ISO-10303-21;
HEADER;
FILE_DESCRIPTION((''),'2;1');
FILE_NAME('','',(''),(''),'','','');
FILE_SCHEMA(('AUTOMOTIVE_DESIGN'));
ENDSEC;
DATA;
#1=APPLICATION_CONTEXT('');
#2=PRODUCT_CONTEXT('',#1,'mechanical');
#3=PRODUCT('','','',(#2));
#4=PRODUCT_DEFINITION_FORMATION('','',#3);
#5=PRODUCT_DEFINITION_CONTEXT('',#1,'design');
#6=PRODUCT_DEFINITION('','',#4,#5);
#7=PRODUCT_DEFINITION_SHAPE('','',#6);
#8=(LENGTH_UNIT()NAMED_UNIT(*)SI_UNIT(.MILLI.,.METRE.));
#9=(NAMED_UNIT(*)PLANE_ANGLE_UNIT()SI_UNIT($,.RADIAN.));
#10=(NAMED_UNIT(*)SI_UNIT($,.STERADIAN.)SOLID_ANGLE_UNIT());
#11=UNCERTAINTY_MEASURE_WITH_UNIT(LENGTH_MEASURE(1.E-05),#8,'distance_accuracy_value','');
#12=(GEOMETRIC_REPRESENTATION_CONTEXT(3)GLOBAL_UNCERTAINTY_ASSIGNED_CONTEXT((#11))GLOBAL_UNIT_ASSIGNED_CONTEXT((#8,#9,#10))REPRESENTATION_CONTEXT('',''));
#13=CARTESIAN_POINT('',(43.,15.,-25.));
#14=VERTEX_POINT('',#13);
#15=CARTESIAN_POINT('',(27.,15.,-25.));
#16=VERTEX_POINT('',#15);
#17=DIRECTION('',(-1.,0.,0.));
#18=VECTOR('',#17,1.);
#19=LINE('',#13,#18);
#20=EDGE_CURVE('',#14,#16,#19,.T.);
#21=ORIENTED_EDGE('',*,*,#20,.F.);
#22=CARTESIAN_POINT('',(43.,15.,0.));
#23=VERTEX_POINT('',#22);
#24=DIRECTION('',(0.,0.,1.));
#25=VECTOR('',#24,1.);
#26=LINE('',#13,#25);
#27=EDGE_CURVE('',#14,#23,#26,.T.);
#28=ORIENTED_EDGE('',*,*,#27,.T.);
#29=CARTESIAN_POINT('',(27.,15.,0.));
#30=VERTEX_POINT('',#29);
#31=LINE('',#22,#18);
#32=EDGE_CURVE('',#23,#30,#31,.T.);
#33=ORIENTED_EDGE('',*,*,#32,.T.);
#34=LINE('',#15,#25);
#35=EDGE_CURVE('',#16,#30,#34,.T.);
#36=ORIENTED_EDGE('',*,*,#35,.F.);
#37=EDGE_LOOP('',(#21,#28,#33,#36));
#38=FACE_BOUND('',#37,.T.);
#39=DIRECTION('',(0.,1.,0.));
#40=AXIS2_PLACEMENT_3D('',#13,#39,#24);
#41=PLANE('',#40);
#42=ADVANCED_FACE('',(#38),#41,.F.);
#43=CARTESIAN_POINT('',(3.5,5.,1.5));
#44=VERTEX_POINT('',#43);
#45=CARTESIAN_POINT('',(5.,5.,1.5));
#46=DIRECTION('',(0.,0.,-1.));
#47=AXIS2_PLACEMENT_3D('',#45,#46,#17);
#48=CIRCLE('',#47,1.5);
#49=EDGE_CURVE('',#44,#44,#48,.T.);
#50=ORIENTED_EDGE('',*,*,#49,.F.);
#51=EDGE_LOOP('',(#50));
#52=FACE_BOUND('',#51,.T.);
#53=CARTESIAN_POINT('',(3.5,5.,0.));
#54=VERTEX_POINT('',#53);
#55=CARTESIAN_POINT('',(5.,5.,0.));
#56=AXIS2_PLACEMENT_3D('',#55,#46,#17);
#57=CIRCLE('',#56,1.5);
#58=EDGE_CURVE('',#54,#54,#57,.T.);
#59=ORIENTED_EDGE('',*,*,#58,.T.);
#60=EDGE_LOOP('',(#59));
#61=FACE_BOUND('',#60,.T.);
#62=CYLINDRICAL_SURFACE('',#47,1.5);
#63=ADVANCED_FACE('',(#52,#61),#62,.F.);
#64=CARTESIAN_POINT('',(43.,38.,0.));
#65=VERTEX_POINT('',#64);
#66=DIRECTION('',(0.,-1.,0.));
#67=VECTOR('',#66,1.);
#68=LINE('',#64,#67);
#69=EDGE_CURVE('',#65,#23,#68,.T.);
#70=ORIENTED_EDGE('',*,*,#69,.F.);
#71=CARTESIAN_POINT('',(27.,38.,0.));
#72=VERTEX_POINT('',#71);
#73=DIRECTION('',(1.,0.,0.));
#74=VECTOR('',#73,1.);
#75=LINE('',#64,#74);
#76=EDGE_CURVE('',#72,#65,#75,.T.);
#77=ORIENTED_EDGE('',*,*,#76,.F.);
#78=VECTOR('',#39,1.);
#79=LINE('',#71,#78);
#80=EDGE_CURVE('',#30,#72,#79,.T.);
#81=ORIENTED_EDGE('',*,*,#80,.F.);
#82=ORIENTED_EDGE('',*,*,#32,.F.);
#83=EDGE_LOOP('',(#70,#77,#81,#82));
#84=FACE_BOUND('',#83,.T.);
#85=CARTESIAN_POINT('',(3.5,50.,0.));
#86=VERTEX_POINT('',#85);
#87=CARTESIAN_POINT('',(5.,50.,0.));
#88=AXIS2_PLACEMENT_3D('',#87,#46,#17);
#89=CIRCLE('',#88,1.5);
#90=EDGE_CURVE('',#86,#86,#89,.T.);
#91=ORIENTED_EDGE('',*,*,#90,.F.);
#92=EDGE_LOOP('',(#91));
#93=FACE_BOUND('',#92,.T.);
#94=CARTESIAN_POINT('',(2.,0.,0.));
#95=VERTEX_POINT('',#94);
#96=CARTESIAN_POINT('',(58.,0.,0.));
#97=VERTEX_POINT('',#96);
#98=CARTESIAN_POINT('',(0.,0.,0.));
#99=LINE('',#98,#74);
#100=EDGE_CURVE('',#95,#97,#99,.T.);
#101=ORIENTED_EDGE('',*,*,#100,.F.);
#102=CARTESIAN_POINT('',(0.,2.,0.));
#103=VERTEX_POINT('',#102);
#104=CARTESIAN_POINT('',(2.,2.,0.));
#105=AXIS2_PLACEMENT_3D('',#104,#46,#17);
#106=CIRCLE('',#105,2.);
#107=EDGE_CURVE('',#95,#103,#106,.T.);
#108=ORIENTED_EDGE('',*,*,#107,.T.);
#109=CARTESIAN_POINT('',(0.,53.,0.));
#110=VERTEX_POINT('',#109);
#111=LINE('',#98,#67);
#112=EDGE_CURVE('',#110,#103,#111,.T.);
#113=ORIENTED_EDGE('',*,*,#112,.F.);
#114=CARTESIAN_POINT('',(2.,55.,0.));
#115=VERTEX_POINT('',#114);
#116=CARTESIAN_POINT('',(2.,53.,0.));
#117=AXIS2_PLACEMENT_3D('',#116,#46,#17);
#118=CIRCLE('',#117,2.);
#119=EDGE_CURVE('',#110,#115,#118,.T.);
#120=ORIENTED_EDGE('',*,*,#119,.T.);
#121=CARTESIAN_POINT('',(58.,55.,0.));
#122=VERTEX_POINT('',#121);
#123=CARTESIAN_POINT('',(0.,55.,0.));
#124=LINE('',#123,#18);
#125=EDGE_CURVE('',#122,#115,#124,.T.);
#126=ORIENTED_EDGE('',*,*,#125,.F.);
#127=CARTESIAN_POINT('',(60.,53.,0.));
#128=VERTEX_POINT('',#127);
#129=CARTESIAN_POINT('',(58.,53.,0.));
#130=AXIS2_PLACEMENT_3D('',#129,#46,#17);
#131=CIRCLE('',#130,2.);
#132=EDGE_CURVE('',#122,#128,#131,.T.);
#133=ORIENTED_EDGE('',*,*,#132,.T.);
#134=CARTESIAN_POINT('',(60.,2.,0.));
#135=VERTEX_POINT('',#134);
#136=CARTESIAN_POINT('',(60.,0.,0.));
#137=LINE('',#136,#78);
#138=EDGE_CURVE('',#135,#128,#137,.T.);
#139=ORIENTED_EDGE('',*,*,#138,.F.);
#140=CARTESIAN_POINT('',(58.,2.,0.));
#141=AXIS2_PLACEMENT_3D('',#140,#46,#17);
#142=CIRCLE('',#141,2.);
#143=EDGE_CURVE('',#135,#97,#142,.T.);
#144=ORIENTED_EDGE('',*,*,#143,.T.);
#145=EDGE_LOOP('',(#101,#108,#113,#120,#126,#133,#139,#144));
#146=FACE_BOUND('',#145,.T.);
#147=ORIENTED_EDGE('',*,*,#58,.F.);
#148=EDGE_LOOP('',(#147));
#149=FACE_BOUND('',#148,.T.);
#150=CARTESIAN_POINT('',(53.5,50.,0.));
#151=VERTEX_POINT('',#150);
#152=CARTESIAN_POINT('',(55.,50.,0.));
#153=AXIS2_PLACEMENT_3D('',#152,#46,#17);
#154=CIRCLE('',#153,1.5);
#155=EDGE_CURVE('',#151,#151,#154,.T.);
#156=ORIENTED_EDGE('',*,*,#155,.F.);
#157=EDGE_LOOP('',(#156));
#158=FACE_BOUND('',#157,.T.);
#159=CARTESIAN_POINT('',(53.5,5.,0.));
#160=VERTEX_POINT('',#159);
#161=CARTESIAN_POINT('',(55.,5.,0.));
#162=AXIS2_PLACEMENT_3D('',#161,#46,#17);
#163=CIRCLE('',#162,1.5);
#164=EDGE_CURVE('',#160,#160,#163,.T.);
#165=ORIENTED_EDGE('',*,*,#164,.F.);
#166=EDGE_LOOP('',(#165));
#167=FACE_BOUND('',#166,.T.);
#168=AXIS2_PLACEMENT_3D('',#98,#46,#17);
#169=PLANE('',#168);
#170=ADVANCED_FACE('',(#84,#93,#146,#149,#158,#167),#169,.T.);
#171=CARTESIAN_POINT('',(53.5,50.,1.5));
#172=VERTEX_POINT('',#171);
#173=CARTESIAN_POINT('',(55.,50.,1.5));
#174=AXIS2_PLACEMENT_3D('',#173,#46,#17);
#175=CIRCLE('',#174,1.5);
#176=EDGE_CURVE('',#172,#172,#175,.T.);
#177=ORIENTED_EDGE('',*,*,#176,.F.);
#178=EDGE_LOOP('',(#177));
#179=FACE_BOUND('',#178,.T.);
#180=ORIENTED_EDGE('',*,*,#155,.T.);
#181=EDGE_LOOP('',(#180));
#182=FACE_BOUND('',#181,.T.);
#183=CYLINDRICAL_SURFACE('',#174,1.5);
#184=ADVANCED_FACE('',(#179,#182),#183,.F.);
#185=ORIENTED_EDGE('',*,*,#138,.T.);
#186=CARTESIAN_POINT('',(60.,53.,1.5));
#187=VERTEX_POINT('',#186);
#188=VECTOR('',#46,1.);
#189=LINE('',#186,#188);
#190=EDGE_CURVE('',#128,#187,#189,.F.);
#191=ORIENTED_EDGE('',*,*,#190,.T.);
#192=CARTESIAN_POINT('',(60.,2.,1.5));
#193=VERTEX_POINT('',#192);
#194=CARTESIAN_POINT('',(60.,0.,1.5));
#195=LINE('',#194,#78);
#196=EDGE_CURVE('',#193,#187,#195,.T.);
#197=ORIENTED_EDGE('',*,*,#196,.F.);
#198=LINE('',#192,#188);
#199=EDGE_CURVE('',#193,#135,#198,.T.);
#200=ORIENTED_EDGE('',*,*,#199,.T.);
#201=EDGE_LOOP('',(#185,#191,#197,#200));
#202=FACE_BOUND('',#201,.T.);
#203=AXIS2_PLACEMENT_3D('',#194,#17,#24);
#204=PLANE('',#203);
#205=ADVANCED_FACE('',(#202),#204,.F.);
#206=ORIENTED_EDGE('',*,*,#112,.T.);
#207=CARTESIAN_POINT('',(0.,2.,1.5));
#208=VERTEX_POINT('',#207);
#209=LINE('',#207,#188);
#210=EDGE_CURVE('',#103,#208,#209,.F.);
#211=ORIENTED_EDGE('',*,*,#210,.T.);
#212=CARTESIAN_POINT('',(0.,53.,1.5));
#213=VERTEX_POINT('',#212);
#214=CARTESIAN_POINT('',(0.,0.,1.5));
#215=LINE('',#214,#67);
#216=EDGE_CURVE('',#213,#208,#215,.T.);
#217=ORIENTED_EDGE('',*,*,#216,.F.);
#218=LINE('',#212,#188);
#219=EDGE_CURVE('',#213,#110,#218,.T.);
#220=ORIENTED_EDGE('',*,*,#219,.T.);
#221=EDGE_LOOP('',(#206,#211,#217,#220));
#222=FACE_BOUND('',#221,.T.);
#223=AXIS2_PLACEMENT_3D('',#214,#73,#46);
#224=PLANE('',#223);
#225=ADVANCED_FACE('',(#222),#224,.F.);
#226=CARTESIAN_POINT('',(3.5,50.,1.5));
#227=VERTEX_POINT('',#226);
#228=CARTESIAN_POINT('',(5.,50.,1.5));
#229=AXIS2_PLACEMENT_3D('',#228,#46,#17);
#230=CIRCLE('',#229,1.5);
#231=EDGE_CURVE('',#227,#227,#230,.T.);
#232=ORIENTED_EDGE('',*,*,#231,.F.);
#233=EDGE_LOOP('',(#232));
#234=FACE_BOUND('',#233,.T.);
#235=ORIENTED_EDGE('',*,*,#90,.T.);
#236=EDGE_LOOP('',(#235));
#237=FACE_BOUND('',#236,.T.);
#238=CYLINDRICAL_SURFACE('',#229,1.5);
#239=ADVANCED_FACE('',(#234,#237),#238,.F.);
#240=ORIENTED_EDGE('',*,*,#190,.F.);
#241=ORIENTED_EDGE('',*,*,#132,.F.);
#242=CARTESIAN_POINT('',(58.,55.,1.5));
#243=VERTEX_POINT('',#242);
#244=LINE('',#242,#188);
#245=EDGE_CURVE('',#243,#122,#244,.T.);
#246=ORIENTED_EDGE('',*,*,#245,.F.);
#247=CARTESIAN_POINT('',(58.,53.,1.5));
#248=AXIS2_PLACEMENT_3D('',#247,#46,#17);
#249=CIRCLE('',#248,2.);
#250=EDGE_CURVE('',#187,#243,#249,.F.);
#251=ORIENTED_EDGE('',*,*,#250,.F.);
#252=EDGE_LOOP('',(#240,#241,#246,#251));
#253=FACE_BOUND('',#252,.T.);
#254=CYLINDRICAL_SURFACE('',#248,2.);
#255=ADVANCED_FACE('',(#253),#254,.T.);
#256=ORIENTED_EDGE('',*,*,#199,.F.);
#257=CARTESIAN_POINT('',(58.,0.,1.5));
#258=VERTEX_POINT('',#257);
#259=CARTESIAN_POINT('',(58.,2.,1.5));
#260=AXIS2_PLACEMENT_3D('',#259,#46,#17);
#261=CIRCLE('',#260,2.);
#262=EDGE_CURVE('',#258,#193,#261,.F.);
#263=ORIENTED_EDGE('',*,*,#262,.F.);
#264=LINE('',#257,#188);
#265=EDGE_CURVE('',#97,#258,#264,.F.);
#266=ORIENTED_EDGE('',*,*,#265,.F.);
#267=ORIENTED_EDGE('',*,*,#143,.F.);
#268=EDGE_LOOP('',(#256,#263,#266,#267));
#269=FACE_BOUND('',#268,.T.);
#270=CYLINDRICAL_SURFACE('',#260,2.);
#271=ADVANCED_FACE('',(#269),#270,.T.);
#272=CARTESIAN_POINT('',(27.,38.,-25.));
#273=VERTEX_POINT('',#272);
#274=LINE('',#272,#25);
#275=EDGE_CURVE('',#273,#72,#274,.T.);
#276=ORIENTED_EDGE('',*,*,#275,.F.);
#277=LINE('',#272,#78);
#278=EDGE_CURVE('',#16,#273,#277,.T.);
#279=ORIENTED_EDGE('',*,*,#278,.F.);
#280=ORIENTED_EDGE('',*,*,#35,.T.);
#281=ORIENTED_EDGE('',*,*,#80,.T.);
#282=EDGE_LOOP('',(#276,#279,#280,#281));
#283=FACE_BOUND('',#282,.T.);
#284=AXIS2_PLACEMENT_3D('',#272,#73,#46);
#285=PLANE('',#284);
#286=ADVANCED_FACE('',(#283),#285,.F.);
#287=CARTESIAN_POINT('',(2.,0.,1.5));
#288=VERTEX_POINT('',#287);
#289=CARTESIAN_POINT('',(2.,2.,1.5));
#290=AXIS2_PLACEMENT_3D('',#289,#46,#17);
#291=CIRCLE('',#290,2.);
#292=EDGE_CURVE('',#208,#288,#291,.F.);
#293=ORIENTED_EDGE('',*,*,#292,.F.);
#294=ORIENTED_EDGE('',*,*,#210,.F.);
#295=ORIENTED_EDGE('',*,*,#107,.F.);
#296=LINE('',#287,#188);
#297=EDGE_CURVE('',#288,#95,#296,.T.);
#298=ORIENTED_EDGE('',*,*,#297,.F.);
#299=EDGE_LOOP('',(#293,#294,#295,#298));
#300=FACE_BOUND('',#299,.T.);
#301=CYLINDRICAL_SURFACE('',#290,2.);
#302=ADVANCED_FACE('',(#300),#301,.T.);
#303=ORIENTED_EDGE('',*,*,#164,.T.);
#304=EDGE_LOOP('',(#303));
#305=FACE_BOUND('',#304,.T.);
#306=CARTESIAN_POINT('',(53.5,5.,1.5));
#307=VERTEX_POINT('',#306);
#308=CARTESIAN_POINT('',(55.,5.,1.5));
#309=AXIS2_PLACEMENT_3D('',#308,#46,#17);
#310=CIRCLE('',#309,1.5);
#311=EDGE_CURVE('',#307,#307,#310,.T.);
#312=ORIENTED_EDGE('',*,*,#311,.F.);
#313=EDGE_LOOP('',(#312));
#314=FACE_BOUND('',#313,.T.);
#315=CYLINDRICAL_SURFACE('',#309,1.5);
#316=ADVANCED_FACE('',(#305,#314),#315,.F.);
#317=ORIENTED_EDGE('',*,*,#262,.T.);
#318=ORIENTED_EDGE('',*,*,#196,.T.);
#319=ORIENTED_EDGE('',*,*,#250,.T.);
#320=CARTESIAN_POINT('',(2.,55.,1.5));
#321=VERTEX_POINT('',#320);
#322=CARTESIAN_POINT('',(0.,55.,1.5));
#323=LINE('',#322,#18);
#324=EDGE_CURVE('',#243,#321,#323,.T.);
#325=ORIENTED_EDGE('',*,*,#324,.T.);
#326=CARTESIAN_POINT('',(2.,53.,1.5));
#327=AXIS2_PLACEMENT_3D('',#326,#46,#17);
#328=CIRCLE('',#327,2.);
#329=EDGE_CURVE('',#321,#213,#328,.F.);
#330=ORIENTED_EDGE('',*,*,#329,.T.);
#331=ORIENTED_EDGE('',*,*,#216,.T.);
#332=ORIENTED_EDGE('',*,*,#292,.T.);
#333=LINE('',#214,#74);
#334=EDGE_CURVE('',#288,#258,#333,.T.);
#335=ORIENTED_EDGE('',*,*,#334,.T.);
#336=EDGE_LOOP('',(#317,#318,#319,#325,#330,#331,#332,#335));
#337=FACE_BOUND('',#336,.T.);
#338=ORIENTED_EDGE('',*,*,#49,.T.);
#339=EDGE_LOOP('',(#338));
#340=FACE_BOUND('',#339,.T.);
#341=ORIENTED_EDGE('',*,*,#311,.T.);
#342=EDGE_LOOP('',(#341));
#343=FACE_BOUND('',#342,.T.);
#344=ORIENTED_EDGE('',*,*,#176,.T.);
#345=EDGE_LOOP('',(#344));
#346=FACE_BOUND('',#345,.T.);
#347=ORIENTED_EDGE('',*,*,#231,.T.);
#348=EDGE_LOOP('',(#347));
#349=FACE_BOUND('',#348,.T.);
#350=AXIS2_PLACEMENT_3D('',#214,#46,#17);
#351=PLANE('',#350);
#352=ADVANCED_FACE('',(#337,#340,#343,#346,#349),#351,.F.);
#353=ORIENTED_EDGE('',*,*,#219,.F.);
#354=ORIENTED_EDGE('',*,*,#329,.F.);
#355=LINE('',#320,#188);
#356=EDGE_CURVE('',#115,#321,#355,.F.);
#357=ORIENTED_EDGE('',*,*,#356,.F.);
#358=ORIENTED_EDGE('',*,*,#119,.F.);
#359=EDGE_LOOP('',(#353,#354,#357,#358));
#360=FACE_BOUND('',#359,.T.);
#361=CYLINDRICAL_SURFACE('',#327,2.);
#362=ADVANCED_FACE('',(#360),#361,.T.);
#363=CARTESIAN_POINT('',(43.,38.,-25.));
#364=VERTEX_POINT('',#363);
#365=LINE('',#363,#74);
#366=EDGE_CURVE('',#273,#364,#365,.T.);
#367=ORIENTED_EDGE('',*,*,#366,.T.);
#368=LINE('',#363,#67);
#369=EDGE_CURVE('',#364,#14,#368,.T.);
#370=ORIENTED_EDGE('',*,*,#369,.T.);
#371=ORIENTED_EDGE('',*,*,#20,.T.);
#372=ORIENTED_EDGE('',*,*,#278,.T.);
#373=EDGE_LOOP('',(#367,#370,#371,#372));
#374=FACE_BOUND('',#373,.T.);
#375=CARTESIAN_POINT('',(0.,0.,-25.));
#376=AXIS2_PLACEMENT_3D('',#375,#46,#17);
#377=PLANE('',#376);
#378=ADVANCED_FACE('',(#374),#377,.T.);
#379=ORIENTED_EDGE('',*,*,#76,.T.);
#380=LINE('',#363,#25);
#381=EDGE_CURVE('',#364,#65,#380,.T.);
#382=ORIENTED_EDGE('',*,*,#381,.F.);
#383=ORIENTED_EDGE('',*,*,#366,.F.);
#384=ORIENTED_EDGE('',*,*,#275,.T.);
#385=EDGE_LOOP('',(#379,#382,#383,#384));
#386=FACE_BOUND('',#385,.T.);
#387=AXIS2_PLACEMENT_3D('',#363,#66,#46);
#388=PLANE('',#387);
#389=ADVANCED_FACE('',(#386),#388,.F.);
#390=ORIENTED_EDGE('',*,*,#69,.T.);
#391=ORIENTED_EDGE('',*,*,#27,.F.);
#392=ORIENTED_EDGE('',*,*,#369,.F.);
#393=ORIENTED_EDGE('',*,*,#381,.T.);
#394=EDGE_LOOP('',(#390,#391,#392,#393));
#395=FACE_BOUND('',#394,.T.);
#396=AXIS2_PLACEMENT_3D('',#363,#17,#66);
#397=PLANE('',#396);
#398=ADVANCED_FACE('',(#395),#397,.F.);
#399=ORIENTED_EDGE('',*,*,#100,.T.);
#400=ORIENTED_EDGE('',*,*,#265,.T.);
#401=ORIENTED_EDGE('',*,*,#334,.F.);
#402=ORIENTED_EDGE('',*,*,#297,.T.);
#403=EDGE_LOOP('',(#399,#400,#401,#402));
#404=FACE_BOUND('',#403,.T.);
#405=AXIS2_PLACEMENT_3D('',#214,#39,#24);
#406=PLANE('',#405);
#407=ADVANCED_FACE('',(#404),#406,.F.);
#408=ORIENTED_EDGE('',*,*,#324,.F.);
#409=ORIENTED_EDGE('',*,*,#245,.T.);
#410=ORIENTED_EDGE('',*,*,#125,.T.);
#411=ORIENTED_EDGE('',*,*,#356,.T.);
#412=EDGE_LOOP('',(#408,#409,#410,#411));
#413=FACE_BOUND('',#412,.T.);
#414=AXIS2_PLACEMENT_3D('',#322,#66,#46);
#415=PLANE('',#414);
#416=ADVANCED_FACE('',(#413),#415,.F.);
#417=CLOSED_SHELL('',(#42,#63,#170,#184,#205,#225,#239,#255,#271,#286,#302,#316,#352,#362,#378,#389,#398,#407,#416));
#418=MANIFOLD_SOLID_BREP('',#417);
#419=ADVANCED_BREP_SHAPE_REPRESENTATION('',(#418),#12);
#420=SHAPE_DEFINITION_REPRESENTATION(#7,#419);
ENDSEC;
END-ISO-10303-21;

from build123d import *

# Parameters (mm, degrees)
ESQUISSE1_W             = 60
ESQUISSE1_H             = 55
BOSS_EXTRU_1_DEPTH      = 1.5
CONG_1_R                = 2
ESQUISSE2_R             = 1.5
ENL_V_MAT_EXTRU_1_DEPTH = 1.5
ESQUISSE3_W             = 16
ESQUISSE3_H             = 23
BOSS_EXTRU_2_DEPTH      = 25


with BuildPart() as part:
    # Esquisse1 → Boss.-Extru.1 (new body)
    with BuildSketch(Plane.XY):
        with Locations((30, 27.5)):
            Rectangle(ESQUISSE1_W, ESQUISSE1_H)
    extrude(amount=BOSS_EXTRU_1_DEPTH)

    # Congé1
    cong_1_edges = [part.edges().sort_by_distance(p)[0] for p in [
        (0, 55, 0.75),
        (60, 55, 0.75),
        (60, 0, 0.75),
        (0, 0, 0.75),
    ]]
    fillet(cong_1_edges, radius=CONG_1_R)

    # Esquisse2 → Enlèv. mat.-Extru.1 (cut)
    with BuildSketch(Plane(origin=(0, 0, 0), x_dir=(-1, 0, 0), z_dir=(0, 0, -1))):
        with Locations((-5, 5)):
            Circle(ESQUISSE2_R)
        with Locations((-5, 50)):
            Circle(ESQUISSE2_R)
        with Locations((-55, 50)):
            Circle(ESQUISSE2_R)
        with Locations((-55, 5)):
            Circle(ESQUISSE2_R)
    extrude(amount=-ENL_V_MAT_EXTRU_1_DEPTH, mode=Mode.SUBTRACT)

    # Esquisse3 → Boss.-Extru.2 (add)
    with BuildSketch(Plane(origin=(0, 0, 0), x_dir=(-1, 0, 0), z_dir=(0, 0, -1))):
        with Locations((-35, 26.5)):
            Rectangle(ESQUISSE3_W, ESQUISSE3_H)
    extrude(amount=BOSS_EXTRU_2_DEPTH)


solid = part.part
